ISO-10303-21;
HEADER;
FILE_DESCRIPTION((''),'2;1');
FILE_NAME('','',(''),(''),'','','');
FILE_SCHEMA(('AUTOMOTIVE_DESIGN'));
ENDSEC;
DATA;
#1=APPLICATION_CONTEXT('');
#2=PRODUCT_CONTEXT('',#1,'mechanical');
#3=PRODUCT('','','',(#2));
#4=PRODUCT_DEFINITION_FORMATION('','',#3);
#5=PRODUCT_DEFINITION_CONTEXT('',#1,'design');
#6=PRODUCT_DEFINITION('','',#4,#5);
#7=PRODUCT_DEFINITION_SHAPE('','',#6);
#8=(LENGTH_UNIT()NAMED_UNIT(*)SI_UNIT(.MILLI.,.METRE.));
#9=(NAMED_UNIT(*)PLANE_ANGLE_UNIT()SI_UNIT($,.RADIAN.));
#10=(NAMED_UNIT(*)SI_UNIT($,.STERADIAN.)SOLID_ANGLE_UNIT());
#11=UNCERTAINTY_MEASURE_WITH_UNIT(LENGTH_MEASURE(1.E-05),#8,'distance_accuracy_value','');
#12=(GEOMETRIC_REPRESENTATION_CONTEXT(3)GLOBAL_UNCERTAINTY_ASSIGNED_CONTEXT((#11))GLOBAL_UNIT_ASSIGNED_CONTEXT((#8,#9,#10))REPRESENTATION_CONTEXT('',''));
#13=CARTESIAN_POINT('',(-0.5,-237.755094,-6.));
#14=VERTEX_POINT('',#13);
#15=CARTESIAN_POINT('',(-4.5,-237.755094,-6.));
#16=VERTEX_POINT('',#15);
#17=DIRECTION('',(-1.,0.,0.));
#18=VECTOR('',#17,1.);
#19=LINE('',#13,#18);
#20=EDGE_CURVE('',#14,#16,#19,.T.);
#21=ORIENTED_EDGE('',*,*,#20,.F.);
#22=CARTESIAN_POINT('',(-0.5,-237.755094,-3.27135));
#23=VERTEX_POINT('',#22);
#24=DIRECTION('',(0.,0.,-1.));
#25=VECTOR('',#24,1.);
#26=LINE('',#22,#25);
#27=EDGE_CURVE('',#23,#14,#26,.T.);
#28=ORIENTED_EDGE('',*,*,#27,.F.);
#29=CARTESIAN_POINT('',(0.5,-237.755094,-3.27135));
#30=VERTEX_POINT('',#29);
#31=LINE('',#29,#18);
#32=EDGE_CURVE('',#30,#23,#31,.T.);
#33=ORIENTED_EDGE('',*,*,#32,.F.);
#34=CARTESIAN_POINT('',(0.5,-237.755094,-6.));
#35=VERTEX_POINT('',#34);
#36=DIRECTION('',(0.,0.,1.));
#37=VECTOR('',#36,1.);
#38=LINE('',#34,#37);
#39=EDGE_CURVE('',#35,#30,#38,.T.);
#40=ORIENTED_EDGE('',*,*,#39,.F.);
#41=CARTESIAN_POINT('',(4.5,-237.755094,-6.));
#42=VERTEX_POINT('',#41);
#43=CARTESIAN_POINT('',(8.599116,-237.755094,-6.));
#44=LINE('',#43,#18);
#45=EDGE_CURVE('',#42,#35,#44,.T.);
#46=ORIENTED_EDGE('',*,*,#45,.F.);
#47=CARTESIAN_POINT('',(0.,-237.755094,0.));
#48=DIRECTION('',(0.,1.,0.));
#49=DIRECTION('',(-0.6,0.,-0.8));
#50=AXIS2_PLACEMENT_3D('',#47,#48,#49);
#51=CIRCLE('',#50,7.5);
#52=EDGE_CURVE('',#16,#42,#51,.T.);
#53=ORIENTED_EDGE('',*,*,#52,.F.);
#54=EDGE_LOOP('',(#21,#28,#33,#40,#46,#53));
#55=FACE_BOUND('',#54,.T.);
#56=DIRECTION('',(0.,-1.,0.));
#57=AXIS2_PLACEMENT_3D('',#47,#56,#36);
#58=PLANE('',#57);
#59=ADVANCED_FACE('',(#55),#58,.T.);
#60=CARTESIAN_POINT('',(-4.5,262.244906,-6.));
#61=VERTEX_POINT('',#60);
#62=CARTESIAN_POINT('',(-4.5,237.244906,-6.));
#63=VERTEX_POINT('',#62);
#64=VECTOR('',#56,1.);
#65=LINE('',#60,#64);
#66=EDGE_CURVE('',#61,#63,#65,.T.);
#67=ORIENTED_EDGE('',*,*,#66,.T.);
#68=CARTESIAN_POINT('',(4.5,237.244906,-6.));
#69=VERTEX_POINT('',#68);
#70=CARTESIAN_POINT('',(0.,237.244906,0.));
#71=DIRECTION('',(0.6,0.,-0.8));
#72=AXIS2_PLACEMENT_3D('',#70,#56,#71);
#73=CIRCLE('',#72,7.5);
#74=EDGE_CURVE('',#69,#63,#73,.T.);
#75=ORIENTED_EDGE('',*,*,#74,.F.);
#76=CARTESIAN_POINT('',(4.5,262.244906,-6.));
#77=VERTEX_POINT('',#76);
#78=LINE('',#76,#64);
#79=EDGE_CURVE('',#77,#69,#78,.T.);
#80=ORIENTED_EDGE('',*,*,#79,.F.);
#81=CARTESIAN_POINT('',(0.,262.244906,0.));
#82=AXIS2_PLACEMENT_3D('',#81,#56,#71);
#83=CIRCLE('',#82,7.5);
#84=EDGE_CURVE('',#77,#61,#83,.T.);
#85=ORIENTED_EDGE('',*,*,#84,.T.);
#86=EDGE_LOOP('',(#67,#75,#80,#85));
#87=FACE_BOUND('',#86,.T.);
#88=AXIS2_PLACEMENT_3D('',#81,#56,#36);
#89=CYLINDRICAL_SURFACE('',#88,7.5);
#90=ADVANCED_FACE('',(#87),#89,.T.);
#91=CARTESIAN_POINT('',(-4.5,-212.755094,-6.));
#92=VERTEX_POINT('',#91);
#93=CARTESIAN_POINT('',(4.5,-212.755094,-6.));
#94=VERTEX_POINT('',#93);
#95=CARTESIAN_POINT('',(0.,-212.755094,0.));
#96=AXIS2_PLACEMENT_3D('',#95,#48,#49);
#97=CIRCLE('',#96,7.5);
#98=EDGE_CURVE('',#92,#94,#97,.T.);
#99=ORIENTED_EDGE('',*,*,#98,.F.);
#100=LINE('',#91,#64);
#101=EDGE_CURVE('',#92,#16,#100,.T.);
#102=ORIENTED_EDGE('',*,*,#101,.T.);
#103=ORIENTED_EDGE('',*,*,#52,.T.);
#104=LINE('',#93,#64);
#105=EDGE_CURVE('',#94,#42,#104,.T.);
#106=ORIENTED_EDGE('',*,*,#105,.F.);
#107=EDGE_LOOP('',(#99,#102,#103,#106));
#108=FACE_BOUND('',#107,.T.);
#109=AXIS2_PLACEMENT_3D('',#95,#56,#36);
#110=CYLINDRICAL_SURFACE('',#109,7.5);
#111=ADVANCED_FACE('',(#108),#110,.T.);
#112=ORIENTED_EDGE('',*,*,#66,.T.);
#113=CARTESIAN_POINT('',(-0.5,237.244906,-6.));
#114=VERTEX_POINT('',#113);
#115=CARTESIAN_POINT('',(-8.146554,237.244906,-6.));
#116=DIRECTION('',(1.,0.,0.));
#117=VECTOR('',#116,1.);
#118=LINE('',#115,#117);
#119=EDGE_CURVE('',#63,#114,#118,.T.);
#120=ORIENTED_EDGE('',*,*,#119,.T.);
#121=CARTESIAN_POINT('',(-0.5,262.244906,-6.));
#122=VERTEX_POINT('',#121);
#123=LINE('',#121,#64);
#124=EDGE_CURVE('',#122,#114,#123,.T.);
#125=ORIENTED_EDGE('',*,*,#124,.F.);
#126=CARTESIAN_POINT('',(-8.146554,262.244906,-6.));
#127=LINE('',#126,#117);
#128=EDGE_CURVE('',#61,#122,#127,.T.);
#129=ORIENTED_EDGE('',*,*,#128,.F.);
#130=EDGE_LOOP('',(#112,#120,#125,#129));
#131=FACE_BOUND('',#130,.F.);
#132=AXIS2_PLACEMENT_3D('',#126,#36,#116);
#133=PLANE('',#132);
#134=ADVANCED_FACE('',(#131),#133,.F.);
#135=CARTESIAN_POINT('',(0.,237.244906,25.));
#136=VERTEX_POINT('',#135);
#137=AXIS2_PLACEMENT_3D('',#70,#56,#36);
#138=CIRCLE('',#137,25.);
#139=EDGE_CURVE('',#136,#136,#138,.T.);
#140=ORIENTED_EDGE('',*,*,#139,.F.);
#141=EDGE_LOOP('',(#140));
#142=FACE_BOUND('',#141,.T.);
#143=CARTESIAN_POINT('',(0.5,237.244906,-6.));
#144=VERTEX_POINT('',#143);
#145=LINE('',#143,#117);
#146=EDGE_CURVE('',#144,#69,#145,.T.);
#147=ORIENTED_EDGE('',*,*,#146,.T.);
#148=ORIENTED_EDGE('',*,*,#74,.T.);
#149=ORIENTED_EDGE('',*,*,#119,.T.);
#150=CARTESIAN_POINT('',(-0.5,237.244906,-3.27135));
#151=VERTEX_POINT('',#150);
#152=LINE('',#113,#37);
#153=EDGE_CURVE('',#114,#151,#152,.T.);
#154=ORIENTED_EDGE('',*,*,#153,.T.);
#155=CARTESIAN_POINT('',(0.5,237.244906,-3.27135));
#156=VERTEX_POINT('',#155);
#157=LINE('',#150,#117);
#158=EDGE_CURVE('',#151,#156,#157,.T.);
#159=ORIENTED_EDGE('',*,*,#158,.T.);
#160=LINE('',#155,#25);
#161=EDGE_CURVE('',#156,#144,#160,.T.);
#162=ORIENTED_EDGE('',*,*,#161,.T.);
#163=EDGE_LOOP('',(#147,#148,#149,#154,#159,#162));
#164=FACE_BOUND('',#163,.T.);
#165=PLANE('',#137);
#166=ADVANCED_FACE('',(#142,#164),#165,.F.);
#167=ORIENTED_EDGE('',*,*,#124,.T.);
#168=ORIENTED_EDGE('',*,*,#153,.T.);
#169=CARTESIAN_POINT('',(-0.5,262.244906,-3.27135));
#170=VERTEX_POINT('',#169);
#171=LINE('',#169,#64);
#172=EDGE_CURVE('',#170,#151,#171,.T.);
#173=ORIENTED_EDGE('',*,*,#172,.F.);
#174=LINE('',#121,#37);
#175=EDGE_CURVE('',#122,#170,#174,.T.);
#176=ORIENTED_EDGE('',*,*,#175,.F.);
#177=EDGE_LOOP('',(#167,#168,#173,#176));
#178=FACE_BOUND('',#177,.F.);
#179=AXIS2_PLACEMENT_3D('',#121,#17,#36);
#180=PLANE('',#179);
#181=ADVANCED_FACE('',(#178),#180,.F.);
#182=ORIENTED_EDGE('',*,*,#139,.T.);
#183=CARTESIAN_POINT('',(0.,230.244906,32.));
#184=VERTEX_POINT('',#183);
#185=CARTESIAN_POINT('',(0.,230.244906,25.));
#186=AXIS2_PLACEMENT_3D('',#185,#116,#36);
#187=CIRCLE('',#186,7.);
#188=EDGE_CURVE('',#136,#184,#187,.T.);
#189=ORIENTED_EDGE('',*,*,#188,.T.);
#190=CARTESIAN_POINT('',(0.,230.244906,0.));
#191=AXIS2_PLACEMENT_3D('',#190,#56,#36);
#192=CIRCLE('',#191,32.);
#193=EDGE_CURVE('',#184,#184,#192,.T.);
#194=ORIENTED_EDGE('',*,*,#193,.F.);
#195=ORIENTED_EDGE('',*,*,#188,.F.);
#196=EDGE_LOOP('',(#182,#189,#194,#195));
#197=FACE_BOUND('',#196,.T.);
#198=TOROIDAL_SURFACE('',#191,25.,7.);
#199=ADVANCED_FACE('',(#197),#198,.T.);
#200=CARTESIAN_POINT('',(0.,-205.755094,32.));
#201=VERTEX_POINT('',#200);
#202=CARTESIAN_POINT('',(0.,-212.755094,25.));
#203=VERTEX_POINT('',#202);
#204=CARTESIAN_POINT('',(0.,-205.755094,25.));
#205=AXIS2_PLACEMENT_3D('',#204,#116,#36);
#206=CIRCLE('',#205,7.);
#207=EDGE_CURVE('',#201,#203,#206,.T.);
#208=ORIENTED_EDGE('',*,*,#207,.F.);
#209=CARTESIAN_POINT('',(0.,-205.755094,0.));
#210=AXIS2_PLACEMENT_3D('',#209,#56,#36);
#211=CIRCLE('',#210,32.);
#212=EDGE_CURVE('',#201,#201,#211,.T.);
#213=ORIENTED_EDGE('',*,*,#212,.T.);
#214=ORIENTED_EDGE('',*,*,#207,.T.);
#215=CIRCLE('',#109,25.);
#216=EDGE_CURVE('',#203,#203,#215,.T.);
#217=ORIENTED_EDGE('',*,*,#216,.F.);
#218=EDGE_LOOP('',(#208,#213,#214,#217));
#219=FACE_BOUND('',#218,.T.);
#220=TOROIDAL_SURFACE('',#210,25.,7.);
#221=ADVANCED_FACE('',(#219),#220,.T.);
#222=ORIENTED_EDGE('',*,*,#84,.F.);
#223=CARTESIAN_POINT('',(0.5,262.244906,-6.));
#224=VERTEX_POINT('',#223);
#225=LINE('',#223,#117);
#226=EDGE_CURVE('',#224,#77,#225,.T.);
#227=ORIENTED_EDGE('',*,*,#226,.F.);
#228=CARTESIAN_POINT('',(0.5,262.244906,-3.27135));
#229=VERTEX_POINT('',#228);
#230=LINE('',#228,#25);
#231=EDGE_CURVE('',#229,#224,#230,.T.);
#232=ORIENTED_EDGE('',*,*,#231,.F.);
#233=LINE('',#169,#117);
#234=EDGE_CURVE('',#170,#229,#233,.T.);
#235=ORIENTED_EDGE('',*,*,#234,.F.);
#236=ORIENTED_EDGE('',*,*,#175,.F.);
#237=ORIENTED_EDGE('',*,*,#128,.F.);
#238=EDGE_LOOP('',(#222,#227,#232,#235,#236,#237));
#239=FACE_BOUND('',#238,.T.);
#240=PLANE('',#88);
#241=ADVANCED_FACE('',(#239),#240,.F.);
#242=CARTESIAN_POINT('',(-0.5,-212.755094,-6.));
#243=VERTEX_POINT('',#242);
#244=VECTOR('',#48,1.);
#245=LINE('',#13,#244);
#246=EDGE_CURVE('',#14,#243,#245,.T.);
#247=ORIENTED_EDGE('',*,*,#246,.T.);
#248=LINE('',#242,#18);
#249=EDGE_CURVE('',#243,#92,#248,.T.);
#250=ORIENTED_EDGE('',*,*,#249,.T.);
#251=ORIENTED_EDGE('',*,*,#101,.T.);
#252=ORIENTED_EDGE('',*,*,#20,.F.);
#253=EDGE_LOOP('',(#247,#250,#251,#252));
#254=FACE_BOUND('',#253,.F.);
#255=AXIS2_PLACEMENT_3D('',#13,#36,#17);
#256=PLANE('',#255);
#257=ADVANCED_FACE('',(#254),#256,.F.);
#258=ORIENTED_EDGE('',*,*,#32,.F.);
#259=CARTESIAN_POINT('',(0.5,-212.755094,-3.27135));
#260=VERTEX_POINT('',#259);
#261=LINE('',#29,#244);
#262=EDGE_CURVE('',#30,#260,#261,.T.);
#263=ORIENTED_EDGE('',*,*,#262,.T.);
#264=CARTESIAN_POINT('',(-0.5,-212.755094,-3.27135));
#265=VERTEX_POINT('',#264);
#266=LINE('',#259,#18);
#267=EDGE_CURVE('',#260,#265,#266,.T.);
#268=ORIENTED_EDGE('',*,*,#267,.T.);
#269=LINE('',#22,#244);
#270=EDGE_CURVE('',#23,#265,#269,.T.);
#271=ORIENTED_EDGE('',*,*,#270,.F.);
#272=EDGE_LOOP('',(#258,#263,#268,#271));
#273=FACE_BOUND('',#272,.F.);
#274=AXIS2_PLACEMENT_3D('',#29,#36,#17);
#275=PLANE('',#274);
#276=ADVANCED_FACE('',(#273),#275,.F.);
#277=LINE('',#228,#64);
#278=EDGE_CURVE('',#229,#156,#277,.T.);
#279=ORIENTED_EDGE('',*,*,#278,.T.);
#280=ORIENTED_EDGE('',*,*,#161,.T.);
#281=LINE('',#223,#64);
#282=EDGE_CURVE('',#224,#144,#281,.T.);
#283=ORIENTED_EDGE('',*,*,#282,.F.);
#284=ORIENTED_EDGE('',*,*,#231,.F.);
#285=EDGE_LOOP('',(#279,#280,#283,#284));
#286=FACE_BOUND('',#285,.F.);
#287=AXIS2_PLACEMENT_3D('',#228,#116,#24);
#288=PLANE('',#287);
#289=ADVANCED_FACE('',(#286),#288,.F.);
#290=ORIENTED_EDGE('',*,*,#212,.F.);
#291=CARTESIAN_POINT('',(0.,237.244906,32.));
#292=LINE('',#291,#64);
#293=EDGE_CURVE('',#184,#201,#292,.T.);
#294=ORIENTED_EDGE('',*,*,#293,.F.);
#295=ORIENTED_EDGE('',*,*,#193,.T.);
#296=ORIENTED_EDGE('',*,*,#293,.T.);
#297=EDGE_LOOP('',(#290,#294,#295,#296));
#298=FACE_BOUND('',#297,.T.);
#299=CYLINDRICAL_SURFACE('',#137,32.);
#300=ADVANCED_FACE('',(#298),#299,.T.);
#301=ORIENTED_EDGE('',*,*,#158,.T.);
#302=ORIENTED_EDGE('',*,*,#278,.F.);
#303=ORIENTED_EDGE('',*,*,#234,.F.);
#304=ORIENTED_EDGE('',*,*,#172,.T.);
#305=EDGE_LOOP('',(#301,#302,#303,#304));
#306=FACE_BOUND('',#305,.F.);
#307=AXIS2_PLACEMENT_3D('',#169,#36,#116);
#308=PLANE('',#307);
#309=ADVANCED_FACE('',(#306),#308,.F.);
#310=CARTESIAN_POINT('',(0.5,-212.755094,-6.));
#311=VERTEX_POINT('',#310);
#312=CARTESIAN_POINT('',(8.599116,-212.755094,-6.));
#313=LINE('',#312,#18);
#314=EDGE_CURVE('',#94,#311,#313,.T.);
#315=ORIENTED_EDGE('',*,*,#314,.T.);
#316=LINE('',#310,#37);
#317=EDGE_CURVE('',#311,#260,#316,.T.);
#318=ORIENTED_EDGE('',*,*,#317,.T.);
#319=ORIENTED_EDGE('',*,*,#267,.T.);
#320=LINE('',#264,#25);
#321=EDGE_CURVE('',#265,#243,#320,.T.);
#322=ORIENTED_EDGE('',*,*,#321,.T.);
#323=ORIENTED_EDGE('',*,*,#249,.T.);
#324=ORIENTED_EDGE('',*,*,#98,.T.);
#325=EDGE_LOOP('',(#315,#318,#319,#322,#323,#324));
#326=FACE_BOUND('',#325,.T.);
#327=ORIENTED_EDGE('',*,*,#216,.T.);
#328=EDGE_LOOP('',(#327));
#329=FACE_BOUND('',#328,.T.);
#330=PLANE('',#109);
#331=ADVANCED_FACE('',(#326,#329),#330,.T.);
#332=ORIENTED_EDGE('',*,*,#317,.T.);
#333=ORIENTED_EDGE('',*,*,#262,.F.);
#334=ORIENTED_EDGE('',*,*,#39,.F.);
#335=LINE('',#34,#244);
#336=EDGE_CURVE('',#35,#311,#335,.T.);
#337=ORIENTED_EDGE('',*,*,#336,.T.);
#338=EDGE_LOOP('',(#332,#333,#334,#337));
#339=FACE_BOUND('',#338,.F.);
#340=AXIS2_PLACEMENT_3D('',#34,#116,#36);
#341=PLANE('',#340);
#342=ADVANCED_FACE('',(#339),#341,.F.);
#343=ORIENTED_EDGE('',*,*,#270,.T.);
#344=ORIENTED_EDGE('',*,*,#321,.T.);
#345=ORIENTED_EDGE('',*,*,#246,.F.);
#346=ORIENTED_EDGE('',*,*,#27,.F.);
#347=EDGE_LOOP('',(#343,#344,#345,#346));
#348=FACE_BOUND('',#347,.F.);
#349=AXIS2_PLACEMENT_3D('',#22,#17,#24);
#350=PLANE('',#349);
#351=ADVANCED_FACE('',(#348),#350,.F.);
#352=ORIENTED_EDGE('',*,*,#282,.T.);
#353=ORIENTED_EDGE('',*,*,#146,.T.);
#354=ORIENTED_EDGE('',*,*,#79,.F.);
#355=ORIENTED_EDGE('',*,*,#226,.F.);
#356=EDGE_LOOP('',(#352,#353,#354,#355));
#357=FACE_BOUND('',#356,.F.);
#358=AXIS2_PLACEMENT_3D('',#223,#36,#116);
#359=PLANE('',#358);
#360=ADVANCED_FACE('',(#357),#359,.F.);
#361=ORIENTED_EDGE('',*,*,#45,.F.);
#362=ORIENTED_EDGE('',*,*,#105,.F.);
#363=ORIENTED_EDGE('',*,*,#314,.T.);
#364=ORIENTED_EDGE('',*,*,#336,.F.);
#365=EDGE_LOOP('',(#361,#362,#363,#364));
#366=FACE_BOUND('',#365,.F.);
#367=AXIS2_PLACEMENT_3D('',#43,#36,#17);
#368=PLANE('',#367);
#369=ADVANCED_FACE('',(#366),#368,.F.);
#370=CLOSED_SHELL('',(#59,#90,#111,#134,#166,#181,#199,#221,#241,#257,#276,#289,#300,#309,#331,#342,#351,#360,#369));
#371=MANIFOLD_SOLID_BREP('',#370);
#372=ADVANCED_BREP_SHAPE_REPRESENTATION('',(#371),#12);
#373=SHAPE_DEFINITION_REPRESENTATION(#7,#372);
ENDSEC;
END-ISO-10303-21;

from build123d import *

# Parameters (mm, degrees)
F2_R     = 7
F4_DEPTH = 25
F6_DEPTH = 25


with BuildPart() as f1:
    # F0 (on Right) → F1 (revolve)
    with BuildSketch(Plane.YZ):
        Polygon((-237.755094, 7.5), (-237.755094, 0), (262.244906, 0), (262.244906, 7.5), (237.244906, 7.5), (237.244906, 32), (-212.755094, 32), (-212.755094, 7.5), align=None)
    revolve(axis=Axis((0, 12.244906, 0), (0, -1, 0)))

    # F2
    f2_edges = [f1.edges().sort_by_distance(p)[0] for p in [
        (0, -212.755094, -32),
        (0, 237.244906, -32),
    ]]
    fillet(f2_edges, radius=F2_R)

    # F3 (on face) → F4 (cut, through all)
    with BuildSketch(Plane.XZ.offset(237.755094)):
        Polygon((-0.5, -6), (-7.974903, -6), (-7.77278, -10.850932), (8.599116, -10.850932), (8.599116, -6), (0.5, -6), (0.5, -3.27135), (-0.5, -3.27135), align=None)
    extrude(amount=-F4_DEPTH, mode=Mode.SUBTRACT)

    # F5 (on face) → F6 (cut, through all)
    with BuildSketch(Plane(origin=(0, 262.244906, 0), x_dir=(-1, 0, 0), z_dir=(0, 1, 0))):
        Polygon((9.790156, -10.28766), (8.146554, -6), (0.5, -6), (0.5, -3.27135), (-0.5, -3.27135), (-0.5, -6), (-9.718692, -6), (-10.433301, -10.787886), align=None)
    extrude(amount=-F6_DEPTH, mode=Mode.SUBTRACT)


solid = f1.part
